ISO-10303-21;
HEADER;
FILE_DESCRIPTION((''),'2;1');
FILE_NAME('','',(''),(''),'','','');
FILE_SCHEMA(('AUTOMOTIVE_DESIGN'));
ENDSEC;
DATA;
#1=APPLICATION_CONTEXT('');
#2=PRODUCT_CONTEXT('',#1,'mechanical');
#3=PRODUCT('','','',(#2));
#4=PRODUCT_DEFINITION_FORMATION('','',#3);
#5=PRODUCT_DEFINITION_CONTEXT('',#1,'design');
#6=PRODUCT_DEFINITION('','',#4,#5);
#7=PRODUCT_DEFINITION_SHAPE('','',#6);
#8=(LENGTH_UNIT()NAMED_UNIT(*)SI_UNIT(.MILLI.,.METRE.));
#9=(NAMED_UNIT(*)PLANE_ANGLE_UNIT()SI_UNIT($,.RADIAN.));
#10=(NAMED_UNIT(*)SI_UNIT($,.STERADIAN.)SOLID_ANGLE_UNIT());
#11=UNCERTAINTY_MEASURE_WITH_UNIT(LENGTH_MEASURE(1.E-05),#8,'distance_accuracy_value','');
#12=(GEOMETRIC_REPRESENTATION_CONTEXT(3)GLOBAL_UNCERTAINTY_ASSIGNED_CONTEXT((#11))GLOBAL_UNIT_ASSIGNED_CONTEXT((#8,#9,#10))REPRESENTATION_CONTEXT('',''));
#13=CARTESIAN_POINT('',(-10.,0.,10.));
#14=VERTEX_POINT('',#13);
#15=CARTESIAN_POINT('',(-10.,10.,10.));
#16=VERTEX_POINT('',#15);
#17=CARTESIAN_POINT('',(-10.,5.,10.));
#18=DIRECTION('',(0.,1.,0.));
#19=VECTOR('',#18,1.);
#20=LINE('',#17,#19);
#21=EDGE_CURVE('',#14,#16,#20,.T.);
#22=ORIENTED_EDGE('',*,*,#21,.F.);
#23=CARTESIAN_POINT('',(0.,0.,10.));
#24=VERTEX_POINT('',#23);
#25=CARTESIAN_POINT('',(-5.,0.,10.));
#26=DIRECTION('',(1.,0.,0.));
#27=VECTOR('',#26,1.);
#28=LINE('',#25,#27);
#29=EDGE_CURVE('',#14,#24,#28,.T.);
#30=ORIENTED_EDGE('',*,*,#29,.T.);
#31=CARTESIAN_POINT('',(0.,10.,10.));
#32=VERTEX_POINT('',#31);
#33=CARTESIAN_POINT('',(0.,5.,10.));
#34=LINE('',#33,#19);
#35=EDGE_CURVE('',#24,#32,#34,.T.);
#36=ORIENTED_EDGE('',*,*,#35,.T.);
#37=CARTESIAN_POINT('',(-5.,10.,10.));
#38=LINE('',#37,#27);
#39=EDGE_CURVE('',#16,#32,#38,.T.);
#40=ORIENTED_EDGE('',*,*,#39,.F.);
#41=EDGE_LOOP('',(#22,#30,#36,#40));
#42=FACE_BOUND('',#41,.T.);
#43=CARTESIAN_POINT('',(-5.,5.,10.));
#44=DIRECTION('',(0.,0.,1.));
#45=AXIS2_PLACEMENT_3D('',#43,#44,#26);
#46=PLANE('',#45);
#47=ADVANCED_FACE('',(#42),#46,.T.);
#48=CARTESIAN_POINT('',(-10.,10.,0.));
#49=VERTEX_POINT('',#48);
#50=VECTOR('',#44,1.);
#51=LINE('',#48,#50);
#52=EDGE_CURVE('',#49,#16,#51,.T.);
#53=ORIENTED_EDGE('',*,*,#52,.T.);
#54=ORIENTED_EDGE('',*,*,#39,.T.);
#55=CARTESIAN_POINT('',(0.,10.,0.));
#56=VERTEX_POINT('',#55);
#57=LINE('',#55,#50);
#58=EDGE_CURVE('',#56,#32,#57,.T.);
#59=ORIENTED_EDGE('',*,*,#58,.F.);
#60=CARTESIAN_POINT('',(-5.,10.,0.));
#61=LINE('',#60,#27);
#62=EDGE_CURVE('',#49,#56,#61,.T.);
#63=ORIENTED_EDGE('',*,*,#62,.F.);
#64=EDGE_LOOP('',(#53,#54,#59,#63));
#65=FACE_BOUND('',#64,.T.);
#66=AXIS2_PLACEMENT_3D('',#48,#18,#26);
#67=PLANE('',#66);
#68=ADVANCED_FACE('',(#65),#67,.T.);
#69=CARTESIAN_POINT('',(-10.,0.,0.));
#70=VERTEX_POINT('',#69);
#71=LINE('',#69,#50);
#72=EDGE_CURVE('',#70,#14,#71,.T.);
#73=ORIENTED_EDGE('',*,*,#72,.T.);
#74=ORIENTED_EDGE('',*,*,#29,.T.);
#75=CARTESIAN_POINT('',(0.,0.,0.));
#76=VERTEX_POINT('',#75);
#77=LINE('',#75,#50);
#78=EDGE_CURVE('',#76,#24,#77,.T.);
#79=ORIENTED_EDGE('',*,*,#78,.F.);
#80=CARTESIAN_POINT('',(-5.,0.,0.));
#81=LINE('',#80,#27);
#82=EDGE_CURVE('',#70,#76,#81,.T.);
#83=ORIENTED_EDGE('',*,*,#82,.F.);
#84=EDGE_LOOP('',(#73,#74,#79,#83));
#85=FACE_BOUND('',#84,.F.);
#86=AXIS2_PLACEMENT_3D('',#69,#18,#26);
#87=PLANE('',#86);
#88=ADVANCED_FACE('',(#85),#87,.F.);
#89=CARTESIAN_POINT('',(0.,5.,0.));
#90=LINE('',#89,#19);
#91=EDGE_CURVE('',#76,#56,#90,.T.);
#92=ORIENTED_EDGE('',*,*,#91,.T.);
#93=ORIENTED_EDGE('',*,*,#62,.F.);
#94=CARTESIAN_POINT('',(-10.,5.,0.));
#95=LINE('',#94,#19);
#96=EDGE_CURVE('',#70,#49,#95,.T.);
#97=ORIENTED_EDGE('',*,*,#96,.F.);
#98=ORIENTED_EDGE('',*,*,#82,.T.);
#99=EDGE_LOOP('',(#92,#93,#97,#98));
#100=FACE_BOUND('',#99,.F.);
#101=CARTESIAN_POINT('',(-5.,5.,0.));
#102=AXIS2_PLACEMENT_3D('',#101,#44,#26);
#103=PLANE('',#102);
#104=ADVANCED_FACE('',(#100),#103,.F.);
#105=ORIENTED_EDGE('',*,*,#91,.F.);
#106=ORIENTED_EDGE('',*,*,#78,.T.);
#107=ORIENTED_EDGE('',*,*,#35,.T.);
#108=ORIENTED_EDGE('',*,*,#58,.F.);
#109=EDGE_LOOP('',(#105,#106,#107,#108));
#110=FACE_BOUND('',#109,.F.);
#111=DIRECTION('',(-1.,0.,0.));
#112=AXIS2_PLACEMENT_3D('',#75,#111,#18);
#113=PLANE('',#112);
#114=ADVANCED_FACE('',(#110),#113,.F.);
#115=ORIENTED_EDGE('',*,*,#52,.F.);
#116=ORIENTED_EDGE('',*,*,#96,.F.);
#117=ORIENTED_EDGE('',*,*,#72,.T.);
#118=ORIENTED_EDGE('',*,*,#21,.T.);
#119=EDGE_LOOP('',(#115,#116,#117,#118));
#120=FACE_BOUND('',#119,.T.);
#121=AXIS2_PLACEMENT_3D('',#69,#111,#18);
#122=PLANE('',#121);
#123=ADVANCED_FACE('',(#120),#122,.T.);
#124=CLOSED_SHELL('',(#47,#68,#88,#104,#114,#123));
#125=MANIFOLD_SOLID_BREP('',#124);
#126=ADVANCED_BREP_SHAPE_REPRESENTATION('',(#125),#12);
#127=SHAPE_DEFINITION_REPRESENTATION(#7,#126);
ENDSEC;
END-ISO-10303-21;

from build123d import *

# Parameters (mm, degrees)
SKETCH1_W           = 10
SKETCH1_H           = 10
BOSS_EXTRUDE1_DEPTH = 10


with BuildPart() as part:
    # Sketch1 → Boss-Extrude1 (new body)
    with BuildSketch(Plane.XY):
        with Locations((-5, 5)):
            Rectangle(SKETCH1_W, SKETCH1_H)
    extrude(amount=BOSS_EXTRUDE1_DEPTH)


solid = part.part
